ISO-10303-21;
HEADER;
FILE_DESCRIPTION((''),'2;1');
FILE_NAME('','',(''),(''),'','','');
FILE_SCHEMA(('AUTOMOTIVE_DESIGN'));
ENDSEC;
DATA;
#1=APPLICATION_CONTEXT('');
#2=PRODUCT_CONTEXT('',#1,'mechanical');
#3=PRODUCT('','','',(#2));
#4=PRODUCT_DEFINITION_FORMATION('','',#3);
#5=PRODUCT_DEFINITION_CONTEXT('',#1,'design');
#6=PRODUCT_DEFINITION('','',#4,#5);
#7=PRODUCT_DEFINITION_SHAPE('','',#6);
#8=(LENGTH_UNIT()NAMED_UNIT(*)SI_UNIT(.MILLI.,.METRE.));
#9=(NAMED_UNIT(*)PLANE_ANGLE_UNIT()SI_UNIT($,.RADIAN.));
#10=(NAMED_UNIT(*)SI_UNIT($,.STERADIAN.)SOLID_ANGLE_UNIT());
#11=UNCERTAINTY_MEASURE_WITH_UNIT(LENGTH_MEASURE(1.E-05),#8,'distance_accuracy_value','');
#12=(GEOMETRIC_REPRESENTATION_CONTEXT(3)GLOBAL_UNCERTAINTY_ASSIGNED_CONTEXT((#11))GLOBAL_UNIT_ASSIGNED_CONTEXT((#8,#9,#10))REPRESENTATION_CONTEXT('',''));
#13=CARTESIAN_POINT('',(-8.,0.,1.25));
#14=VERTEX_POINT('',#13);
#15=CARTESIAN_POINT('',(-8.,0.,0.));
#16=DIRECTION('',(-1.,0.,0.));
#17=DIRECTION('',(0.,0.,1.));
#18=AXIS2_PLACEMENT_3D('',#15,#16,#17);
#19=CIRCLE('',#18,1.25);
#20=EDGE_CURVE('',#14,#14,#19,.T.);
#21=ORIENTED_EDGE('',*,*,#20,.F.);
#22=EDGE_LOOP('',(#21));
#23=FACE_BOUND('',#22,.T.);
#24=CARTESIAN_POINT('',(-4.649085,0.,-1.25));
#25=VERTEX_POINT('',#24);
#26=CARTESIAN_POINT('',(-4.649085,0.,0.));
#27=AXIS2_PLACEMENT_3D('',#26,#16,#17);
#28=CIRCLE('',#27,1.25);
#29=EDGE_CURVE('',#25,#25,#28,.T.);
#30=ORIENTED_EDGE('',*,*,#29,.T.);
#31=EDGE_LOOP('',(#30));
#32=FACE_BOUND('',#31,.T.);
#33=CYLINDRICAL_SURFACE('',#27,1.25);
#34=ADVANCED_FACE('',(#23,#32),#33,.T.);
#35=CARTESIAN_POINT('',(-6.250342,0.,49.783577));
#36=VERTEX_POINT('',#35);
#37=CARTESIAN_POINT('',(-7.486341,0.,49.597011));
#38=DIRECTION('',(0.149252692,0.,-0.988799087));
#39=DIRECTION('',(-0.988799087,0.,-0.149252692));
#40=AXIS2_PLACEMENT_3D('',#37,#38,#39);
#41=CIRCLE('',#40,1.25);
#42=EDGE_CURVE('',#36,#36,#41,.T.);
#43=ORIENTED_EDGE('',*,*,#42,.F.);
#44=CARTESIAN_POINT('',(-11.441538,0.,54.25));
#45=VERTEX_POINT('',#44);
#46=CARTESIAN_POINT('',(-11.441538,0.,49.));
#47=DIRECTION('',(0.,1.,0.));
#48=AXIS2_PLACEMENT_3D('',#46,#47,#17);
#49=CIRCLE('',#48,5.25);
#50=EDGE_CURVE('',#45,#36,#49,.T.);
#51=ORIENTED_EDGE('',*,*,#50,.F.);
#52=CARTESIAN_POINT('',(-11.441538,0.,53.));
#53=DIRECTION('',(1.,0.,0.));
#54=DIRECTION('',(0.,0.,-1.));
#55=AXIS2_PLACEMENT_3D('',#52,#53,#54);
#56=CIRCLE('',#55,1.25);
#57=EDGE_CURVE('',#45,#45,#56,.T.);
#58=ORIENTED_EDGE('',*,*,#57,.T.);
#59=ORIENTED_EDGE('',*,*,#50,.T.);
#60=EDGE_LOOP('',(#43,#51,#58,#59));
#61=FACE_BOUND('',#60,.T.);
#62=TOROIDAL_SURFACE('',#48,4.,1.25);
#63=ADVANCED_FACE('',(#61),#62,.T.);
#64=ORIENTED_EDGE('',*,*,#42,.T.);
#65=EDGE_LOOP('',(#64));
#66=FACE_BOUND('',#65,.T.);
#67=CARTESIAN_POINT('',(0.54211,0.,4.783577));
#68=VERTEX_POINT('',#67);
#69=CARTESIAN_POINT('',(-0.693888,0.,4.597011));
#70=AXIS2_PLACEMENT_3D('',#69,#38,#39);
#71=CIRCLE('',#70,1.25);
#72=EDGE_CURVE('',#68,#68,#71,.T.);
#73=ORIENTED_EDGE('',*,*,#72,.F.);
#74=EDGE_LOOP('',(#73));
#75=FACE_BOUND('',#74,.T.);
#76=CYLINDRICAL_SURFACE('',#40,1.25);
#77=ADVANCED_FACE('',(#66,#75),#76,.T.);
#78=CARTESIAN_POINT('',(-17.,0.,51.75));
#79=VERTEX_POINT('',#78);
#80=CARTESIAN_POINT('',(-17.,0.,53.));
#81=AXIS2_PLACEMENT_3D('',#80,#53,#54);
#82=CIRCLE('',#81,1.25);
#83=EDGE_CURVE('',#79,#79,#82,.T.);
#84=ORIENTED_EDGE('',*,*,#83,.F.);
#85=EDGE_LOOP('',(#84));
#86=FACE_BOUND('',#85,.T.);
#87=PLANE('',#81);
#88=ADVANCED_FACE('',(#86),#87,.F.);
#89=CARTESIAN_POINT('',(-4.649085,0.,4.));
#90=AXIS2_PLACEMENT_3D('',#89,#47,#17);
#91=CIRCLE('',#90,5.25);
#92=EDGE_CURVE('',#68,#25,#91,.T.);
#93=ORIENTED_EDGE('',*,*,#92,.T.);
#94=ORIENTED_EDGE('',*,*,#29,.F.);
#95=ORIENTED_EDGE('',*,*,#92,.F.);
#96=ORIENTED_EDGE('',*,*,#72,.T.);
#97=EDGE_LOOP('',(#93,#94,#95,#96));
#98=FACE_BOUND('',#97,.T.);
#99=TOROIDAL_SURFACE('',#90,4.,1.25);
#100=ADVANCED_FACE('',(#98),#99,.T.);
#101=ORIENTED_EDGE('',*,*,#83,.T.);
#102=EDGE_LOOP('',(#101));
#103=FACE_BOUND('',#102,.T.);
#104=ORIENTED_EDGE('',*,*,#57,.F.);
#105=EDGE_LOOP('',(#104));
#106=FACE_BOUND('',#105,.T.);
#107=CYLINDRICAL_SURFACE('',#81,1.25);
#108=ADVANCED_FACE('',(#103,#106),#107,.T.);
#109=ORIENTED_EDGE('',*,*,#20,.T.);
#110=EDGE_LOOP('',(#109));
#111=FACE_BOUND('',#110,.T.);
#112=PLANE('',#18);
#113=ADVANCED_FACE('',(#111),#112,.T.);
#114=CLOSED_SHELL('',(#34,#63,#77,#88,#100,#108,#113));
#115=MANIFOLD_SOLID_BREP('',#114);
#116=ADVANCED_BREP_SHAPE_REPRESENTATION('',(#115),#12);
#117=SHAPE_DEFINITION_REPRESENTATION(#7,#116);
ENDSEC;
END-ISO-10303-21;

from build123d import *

# Parameters (mm, degrees)
SKETCH2_R = 1.25


with BuildPart() as part:
    # Sweep1: sweep along a path in Sketch1
    with BuildLine(Plane(origin=(0, 0, 0), x_dir=(1, 0, 0), z_dir=(0, 1, 0))) as sweep1_path:
        Line((-8, 0), (-4.649084765, 0))
        ThreePointArc((-4.649084765, 0), (-1.616920267, -1.391172972), (-0.693888418, -4.597010769))
        Line((-0.693888418, -4.597010769), (-7.486341248, -49.597010769))
        ThreePointArc((-7.486341248, -49.597010769), (-8.832710567, -52.032164497), (-11.441537595, -53))
        Line((-11.441537595, -53), (-17, -53))
    # Sketch2 → Sweep1 (sweep)
    with BuildSketch(Plane.ZY.offset(8)):
        Circle(SKETCH2_R)
    sweep(path=sweep1_path.line)


solid = part.part
